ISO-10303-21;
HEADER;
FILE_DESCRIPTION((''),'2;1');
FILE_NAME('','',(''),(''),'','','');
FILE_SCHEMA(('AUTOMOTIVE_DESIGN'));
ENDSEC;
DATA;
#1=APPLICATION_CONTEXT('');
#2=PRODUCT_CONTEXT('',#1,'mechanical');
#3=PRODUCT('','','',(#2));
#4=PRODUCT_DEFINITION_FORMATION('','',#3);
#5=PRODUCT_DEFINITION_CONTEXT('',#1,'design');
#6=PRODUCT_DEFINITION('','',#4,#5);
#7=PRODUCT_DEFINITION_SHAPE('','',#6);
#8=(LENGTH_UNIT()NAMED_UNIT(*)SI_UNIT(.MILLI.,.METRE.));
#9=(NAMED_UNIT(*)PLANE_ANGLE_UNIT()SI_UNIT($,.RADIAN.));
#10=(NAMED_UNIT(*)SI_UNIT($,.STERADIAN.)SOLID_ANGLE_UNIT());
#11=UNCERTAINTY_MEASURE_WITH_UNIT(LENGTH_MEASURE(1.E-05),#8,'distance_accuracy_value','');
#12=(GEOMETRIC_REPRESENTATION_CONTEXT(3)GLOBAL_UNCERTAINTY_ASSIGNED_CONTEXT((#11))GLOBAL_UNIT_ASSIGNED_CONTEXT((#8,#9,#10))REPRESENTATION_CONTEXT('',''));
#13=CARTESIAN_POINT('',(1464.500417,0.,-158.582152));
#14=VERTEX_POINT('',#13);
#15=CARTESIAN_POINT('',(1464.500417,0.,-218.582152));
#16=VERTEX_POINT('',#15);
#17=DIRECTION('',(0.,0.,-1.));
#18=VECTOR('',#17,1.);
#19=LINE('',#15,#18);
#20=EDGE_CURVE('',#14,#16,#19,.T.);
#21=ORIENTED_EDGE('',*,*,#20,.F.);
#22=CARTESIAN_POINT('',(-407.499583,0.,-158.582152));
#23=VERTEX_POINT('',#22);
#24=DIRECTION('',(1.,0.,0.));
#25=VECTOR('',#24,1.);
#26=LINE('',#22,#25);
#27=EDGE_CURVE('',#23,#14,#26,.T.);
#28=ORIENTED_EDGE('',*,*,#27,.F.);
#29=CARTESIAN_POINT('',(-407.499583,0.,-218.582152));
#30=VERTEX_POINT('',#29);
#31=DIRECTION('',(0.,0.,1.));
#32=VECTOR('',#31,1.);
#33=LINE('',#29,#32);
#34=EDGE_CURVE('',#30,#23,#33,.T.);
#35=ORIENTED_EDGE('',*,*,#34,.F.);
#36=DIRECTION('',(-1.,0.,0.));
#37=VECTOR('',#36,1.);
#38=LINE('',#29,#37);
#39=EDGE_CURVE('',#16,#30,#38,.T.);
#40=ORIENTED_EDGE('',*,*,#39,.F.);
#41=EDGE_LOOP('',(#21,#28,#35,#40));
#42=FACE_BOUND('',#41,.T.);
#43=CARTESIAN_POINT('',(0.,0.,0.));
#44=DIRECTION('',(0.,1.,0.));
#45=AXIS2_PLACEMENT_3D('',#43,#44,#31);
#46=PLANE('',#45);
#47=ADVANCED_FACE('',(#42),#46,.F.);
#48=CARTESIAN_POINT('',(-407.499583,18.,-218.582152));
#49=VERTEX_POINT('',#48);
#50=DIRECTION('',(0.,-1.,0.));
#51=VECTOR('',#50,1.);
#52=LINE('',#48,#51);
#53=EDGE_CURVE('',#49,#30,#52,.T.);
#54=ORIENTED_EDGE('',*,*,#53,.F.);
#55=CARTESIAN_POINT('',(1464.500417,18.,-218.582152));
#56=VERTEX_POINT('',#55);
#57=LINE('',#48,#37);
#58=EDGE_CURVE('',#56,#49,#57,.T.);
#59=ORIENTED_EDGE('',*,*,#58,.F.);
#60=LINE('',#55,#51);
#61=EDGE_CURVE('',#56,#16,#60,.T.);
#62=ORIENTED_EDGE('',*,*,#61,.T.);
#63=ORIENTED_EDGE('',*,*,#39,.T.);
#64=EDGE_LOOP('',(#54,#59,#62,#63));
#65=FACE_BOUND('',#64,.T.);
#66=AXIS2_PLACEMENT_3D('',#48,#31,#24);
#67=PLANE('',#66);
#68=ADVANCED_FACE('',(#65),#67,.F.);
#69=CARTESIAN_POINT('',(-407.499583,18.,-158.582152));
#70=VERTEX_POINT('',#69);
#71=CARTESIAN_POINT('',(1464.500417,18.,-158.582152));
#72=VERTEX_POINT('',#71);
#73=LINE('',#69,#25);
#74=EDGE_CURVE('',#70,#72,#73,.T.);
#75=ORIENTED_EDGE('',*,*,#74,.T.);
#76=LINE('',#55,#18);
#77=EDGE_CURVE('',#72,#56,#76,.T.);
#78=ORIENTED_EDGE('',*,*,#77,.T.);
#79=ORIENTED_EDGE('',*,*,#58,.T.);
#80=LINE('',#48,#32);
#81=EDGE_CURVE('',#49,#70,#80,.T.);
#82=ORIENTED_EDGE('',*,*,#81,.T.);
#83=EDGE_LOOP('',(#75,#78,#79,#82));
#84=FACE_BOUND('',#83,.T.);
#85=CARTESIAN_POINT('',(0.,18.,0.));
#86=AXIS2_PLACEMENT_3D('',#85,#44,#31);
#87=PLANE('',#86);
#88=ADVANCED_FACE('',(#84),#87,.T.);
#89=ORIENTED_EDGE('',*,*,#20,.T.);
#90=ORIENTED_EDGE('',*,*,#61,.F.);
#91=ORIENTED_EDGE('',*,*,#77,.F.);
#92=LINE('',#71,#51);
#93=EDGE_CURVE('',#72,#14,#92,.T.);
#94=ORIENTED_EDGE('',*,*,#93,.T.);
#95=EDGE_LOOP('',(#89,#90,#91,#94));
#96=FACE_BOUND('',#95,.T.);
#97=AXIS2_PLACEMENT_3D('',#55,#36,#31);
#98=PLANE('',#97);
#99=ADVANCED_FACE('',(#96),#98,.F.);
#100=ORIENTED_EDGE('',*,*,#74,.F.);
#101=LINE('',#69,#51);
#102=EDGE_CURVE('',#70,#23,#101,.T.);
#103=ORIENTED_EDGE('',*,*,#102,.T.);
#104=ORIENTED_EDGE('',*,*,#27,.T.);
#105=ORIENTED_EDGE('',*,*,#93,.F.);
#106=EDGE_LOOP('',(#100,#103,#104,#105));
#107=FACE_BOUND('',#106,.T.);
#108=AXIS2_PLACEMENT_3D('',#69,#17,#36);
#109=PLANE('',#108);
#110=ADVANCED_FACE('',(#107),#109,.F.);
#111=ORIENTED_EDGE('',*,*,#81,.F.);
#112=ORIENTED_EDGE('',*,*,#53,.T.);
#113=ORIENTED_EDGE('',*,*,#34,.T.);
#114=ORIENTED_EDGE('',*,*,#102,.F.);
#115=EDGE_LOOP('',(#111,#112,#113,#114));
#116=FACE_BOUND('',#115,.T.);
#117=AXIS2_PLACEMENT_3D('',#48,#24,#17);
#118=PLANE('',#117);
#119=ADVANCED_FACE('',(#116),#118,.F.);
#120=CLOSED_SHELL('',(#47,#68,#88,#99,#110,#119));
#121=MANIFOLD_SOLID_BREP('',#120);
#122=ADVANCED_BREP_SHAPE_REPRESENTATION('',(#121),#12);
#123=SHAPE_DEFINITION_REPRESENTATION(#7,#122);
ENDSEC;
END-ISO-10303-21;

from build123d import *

# Parameters (mm, degrees)
SKETCH_1_W      = 1872
SKETCH_1_H      = 60
EXTRUDE_1_DEPTH = 18


with BuildPart() as part:
    # 草图1 → 凸台-拉伸1 (new body)
    with BuildSketch(Plane(origin=(0, 0, 0), x_dir=(1, 0, 0), z_dir=(0, 1, 0))):
        with Locations((528.500417014, 188.582151793)):
            Rectangle(SKETCH_1_W, SKETCH_1_H)
    extrude(amount=EXTRUDE_1_DEPTH)


solid = part.part
